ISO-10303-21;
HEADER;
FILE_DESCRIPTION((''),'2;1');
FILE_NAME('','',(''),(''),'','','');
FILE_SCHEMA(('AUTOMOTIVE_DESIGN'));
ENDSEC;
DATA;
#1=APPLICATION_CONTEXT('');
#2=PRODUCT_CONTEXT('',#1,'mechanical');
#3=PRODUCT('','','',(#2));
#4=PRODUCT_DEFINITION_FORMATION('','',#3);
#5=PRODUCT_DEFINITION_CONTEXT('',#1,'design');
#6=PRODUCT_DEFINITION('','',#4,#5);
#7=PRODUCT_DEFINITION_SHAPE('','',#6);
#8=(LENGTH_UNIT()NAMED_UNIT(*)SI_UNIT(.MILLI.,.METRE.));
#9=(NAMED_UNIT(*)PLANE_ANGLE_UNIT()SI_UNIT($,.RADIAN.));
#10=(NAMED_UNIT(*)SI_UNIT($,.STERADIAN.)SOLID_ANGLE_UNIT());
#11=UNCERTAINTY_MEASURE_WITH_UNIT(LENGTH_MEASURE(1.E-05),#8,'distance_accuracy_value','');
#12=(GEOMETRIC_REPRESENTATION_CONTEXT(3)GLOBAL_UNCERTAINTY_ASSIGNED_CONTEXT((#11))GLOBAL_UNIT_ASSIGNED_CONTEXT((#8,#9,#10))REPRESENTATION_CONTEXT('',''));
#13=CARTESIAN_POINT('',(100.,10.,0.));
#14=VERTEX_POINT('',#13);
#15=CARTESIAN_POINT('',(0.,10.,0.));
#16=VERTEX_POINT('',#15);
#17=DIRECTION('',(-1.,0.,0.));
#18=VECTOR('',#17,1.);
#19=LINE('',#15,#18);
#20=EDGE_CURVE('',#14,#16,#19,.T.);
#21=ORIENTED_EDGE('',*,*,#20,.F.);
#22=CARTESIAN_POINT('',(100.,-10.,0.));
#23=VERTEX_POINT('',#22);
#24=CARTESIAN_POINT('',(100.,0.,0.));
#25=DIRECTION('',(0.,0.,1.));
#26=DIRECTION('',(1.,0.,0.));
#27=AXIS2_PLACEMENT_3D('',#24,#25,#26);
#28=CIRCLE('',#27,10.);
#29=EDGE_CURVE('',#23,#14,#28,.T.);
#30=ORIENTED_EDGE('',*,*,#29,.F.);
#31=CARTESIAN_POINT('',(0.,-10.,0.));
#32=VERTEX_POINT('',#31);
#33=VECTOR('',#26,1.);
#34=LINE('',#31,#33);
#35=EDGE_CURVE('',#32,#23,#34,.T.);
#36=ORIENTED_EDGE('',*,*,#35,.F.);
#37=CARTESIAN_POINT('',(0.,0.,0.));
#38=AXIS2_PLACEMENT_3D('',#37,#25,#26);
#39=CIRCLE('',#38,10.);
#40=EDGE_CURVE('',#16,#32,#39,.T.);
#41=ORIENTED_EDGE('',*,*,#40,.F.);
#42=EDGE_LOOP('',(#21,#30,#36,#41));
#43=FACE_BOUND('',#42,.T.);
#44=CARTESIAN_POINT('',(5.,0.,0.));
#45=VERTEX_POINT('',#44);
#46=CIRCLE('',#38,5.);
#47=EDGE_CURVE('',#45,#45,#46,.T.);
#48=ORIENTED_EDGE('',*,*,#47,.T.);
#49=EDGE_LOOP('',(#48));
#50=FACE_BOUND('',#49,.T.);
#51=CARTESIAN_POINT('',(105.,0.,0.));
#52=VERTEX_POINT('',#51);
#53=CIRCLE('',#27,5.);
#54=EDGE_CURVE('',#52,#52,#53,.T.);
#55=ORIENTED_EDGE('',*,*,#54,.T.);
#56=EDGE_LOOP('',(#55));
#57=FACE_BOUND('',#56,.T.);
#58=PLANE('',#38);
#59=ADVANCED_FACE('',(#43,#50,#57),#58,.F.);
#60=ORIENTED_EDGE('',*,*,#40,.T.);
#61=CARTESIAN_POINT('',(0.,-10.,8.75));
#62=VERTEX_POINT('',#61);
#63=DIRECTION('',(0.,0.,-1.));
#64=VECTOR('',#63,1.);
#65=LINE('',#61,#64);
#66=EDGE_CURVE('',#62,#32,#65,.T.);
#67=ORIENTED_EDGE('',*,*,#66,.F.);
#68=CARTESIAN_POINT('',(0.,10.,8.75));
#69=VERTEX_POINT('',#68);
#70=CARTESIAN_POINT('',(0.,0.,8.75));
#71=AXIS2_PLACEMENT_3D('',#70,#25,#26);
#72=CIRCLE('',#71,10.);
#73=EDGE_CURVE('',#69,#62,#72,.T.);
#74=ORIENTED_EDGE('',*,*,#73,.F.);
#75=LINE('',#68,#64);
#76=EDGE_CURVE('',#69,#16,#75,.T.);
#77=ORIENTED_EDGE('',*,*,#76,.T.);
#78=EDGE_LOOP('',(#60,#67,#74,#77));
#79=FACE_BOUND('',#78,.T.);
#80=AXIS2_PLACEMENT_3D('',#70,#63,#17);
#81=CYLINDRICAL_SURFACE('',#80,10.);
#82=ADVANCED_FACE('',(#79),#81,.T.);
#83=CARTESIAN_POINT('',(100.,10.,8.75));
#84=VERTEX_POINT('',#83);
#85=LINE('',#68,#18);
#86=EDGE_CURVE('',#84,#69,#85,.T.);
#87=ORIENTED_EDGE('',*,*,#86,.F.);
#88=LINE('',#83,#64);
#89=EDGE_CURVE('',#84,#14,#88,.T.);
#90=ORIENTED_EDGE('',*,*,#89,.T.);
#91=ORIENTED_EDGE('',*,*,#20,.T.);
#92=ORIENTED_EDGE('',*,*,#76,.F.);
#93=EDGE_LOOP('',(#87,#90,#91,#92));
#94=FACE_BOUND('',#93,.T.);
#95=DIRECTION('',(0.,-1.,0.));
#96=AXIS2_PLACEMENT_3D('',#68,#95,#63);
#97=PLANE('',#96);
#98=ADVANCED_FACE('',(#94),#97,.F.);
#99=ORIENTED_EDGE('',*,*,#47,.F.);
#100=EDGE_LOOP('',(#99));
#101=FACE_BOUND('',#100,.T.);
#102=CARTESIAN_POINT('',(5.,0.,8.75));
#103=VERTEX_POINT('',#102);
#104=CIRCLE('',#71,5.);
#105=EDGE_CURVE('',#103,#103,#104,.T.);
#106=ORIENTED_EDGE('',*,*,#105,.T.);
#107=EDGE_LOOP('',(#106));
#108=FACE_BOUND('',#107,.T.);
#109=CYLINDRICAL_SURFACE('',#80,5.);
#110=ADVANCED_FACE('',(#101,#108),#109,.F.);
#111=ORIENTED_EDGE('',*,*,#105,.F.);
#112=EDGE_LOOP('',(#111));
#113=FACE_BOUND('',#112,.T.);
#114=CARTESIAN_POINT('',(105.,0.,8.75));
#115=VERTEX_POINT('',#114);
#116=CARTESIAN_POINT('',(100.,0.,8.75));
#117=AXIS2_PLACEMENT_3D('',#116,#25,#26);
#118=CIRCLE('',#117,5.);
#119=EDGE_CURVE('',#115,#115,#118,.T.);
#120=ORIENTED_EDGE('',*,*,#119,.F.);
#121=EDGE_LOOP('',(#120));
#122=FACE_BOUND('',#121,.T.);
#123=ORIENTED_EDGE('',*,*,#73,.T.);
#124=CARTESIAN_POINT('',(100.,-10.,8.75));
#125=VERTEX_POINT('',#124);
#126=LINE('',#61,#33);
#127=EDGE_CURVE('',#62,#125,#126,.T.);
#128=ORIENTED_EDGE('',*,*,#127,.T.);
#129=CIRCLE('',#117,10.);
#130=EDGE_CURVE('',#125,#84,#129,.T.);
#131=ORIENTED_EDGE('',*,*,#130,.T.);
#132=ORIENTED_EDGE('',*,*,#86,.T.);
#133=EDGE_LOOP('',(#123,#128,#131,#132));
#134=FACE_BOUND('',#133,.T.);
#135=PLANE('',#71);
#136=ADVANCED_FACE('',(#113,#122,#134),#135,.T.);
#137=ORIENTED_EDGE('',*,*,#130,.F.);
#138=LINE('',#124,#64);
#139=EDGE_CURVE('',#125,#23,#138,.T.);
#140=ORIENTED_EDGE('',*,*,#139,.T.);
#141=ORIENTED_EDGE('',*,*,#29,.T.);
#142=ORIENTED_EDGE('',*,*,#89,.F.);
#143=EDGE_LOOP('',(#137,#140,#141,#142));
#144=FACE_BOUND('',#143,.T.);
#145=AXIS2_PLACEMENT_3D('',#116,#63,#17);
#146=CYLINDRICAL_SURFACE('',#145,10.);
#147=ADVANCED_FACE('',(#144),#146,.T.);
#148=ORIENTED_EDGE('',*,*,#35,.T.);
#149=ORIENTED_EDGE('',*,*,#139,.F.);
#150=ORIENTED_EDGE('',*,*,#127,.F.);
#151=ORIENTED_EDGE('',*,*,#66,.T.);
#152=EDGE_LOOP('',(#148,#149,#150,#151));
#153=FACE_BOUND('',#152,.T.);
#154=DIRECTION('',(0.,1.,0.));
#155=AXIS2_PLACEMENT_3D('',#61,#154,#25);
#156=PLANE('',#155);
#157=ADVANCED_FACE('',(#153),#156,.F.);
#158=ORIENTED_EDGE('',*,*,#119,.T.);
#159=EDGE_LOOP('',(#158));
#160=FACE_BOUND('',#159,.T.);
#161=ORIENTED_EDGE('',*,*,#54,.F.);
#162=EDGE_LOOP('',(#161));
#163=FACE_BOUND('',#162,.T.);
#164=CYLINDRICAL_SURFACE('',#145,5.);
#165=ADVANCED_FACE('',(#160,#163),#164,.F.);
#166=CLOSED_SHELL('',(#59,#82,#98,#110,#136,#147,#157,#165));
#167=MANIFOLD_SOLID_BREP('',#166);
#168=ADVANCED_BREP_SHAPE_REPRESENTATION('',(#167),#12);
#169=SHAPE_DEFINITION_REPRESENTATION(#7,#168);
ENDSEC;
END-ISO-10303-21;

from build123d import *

# Parameters (mm, degrees)
SCHIZZO1_R                   = 5
ESTRUSIONE_ESTRUSIONE1_DEPTH = 8.75


with BuildPart() as part:
    # Schizzo1 → Estrusione-Estrusione1 (new body)
    with BuildSketch(Plane.XY):
        with BuildLine():
            Line((0, 10), (100, 10))
            ThreePointArc((100, 10), (110, 0), (100, -10))
            Line((100, -10), (0, -10))
            ThreePointArc((0, -10), (-10, 0), (0, 10))
        make_face()
        Circle(SCHIZZO1_R, mode=Mode.SUBTRACT)
        with Locations((100, 0)):
            Circle(SCHIZZO1_R, mode=Mode.SUBTRACT)
    extrude(amount=ESTRUSIONE_ESTRUSIONE1_DEPTH)


solid = part.part
